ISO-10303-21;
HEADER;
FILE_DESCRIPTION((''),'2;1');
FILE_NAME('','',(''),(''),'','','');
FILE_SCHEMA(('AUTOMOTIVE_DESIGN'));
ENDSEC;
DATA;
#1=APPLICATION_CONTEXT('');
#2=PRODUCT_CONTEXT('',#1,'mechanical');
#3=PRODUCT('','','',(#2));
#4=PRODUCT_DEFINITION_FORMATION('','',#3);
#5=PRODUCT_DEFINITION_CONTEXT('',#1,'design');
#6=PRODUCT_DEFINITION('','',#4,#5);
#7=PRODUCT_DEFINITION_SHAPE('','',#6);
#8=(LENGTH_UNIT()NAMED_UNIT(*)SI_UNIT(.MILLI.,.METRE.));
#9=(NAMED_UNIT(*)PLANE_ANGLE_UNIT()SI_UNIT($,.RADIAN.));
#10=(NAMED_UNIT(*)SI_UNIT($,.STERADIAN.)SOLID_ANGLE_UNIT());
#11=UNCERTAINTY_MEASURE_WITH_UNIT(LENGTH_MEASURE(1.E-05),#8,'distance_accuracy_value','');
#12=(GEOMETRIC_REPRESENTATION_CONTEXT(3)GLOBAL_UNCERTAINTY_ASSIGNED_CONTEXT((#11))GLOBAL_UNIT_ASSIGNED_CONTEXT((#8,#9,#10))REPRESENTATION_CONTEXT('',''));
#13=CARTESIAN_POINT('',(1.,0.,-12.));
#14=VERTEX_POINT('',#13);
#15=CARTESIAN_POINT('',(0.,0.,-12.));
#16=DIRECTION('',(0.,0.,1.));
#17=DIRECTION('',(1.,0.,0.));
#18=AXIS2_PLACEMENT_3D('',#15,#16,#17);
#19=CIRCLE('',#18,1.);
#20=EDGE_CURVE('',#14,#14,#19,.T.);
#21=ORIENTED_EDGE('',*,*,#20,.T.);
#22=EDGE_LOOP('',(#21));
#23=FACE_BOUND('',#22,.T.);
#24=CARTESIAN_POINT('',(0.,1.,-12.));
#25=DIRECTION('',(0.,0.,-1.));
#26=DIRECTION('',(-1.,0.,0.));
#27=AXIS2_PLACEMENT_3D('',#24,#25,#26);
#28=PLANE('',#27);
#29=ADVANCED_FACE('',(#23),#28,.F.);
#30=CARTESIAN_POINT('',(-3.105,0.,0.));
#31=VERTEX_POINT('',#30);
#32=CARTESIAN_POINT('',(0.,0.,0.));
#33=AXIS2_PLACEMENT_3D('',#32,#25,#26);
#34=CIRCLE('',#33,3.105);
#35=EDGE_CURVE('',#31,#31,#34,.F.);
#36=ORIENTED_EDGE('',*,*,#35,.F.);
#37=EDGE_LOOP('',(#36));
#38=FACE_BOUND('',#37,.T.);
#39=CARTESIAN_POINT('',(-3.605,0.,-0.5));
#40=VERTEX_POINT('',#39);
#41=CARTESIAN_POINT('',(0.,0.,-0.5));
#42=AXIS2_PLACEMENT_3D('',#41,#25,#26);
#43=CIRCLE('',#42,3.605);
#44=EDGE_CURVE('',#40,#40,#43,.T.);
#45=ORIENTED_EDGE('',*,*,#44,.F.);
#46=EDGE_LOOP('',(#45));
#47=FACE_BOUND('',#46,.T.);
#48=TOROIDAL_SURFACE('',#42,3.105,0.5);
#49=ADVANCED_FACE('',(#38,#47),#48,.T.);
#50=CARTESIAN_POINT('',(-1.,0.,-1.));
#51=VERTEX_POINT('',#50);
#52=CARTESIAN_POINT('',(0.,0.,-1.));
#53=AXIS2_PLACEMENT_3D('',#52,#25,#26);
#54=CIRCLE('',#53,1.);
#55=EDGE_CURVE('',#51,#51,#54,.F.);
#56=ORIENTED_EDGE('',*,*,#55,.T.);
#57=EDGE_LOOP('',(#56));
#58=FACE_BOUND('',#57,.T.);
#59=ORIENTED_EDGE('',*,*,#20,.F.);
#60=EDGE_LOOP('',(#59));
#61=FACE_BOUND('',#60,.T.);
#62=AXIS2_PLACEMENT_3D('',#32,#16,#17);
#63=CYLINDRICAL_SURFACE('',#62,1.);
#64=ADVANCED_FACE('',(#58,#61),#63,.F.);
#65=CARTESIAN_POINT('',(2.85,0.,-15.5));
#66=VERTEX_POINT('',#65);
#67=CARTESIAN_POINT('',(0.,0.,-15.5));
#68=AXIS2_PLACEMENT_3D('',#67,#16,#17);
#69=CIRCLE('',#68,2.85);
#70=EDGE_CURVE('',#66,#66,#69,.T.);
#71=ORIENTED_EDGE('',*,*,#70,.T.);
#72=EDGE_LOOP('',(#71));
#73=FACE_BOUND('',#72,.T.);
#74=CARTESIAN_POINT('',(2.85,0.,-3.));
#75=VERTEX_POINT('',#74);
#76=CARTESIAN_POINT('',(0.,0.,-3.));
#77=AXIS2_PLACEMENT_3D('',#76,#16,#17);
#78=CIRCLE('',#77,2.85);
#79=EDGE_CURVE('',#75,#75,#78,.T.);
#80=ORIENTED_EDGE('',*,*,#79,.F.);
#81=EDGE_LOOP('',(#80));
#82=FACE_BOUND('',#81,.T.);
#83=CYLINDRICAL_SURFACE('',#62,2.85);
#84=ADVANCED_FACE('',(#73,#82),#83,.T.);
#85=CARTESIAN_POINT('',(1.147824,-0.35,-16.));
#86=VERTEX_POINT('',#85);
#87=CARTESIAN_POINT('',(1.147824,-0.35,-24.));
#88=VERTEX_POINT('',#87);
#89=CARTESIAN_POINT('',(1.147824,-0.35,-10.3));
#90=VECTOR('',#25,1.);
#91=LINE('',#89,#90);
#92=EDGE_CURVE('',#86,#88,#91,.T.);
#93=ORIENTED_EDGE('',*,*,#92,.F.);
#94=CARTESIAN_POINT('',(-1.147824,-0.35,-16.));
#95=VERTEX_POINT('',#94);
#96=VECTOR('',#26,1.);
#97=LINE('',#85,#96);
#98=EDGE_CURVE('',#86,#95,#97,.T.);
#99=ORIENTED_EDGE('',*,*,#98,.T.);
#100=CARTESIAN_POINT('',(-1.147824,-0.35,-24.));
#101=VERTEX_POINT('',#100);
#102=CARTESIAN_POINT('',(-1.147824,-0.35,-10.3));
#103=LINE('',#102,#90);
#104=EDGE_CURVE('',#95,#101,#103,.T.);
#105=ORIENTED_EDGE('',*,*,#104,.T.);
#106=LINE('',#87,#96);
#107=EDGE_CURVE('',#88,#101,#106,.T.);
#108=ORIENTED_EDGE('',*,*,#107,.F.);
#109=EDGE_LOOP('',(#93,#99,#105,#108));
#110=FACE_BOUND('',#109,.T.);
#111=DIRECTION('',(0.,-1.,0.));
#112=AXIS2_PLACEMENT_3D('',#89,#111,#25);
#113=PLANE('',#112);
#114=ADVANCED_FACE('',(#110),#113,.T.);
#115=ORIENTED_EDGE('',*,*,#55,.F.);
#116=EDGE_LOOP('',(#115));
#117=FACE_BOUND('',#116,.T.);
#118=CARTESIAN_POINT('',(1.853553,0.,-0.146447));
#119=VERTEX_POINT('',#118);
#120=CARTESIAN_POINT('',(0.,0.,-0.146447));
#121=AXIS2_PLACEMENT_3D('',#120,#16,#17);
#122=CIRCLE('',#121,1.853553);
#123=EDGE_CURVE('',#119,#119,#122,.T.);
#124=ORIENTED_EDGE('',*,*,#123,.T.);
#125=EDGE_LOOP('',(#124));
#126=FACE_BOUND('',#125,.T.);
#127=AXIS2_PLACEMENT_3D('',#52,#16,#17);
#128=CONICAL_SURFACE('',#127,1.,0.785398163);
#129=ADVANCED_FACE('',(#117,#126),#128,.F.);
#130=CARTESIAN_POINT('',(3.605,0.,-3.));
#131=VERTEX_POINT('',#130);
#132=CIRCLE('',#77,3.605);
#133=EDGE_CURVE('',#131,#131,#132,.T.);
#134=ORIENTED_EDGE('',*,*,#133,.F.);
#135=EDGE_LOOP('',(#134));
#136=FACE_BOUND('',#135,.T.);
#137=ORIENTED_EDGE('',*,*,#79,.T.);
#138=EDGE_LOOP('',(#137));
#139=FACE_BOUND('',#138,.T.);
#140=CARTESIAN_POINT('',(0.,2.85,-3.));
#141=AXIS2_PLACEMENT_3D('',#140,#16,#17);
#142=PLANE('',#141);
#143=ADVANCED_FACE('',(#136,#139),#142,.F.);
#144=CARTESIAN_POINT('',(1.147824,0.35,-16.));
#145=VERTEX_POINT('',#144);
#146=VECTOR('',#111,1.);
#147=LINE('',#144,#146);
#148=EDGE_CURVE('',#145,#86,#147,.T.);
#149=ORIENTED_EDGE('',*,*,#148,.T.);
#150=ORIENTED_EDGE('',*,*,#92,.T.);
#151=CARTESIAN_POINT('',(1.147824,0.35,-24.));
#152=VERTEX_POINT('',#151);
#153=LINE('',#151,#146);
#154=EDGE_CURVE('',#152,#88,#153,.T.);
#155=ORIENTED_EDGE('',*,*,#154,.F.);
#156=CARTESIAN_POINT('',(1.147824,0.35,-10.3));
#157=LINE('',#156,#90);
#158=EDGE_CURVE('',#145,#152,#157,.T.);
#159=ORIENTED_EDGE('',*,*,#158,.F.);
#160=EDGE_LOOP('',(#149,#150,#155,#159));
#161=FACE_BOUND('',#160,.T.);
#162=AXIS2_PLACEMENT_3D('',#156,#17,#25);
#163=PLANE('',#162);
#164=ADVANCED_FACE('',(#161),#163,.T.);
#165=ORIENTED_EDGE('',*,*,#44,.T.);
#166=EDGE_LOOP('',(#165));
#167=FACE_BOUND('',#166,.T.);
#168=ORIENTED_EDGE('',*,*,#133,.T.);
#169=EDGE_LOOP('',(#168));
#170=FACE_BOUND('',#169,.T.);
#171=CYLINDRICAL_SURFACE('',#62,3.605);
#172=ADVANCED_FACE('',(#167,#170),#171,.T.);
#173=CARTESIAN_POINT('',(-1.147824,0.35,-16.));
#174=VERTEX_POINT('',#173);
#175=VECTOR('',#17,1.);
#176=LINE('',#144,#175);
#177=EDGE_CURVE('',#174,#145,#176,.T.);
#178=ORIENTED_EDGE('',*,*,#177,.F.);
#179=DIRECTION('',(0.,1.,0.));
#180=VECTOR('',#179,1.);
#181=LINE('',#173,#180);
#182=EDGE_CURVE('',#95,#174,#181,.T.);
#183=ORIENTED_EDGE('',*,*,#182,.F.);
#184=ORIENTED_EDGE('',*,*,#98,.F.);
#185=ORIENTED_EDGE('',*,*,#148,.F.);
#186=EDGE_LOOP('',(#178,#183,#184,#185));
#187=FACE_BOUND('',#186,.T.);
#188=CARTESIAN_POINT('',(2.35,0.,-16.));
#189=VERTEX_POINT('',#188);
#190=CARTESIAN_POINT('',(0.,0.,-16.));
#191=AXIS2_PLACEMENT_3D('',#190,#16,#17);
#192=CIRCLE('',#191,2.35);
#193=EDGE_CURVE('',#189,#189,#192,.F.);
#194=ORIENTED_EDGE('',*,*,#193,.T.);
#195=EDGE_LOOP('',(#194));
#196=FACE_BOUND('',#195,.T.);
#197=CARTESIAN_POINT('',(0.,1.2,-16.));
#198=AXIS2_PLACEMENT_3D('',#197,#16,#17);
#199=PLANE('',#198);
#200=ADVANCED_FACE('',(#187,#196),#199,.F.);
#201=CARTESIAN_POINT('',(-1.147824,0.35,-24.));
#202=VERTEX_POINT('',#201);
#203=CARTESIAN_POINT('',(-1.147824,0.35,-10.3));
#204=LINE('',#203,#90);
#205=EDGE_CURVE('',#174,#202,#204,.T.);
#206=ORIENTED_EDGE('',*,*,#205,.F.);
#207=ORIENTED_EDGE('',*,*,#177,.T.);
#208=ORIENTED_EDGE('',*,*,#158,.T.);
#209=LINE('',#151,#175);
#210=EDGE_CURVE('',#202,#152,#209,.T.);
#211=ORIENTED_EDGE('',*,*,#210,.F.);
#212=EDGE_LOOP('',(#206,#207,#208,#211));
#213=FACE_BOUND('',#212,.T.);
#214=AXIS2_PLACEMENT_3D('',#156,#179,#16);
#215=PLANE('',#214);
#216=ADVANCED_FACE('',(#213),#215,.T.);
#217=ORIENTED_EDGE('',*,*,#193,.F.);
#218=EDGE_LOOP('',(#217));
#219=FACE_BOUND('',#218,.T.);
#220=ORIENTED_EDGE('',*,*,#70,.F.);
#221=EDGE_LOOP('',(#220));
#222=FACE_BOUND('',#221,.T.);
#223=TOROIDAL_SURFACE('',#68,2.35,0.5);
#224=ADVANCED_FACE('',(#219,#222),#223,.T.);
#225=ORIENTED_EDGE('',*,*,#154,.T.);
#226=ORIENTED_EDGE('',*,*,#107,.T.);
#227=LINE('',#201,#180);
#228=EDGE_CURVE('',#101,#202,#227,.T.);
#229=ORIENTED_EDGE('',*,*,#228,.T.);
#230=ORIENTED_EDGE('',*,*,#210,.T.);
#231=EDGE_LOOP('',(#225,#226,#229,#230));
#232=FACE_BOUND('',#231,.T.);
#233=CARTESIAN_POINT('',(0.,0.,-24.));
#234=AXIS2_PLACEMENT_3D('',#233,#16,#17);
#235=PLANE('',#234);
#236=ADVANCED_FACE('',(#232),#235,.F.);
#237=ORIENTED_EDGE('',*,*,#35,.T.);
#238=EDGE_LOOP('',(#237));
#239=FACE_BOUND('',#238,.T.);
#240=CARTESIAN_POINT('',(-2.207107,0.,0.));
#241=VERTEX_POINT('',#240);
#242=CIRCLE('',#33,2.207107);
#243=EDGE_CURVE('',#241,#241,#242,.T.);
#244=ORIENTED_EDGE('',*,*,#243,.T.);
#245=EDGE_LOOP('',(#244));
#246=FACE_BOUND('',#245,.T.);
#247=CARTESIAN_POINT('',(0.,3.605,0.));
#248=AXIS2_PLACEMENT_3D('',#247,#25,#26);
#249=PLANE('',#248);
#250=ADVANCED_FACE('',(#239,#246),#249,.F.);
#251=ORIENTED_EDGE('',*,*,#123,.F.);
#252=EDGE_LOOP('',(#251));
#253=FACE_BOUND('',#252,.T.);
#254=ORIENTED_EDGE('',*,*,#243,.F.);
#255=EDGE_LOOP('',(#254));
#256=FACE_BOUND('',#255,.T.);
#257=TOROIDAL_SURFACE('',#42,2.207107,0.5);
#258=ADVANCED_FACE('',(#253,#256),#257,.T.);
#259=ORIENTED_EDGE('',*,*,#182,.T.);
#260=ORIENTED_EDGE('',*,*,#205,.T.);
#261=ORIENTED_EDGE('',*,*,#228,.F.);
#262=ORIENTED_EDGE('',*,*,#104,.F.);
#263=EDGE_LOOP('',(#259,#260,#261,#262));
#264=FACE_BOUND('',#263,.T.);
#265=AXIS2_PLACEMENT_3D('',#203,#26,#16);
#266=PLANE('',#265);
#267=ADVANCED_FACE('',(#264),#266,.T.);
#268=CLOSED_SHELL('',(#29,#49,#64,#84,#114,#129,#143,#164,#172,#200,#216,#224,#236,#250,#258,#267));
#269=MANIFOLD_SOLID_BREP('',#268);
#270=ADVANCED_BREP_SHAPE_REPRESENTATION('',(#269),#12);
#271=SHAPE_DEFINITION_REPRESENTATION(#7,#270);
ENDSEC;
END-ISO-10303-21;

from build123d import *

# Parameters (mm, degrees)
SKETCH3_W          = 4.030508652
SKETCH3_H          = 4.030508652
SKETCH3_W_2        = 2.295648056
SKETCH3_H_2        = 0.7
CUT_EXTRUDE1_DEPTH = 8
CHAMFER1_SIZE      = 1
FILLET1_R          = 0.5


with BuildPart() as part:
    # Sketch2 → Revolve1 (revolve)
    with BuildSketch(Plane(origin=(0, 0, 0), x_dir=(0, 0, -1), z_dir=(1, 0, 0))):
        Polygon((0, 1), (12, 1), (12, 0), (24, 0), (24, 1.2), (16, 1.2), (16, 2.85), (3, 2.85), (3, 3.605), (0, 3.605), align=None)
    revolve(axis=Axis((0, 0, 0), (0, 0, -1)))

    # Sketch3 → Cut-Extrude1 (cut)
    with BuildSketch(Plane(origin=(0, 0, -24), x_dir=(-1, 0, 0), z_dir=(0, 0, -1))):
        Rectangle(SKETCH3_W, SKETCH3_H)
        Rectangle(SKETCH3_W_2, SKETCH3_H_2, mode=Mode.SUBTRACT)
    extrude(amount=-CUT_EXTRUDE1_DEPTH, mode=Mode.SUBTRACT)

    # Chamfer1
    chamfer1_edges = [part.edges().sort_by_distance(p)[0] for p in [
        (0, -1, 0),
    ]]
    chamfer(chamfer1_edges, length=CHAMFER1_SIZE)

    # Fillet1
    fillet1_edges = [part.edges().sort_by_distance(p)[0] for p in [
        (0, -2, 0),
        (0, -3.605, 0),
        (0, -2.85, -16),
    ]]
    fillet(fillet1_edges, radius=FILLET1_R)


solid = part.part
